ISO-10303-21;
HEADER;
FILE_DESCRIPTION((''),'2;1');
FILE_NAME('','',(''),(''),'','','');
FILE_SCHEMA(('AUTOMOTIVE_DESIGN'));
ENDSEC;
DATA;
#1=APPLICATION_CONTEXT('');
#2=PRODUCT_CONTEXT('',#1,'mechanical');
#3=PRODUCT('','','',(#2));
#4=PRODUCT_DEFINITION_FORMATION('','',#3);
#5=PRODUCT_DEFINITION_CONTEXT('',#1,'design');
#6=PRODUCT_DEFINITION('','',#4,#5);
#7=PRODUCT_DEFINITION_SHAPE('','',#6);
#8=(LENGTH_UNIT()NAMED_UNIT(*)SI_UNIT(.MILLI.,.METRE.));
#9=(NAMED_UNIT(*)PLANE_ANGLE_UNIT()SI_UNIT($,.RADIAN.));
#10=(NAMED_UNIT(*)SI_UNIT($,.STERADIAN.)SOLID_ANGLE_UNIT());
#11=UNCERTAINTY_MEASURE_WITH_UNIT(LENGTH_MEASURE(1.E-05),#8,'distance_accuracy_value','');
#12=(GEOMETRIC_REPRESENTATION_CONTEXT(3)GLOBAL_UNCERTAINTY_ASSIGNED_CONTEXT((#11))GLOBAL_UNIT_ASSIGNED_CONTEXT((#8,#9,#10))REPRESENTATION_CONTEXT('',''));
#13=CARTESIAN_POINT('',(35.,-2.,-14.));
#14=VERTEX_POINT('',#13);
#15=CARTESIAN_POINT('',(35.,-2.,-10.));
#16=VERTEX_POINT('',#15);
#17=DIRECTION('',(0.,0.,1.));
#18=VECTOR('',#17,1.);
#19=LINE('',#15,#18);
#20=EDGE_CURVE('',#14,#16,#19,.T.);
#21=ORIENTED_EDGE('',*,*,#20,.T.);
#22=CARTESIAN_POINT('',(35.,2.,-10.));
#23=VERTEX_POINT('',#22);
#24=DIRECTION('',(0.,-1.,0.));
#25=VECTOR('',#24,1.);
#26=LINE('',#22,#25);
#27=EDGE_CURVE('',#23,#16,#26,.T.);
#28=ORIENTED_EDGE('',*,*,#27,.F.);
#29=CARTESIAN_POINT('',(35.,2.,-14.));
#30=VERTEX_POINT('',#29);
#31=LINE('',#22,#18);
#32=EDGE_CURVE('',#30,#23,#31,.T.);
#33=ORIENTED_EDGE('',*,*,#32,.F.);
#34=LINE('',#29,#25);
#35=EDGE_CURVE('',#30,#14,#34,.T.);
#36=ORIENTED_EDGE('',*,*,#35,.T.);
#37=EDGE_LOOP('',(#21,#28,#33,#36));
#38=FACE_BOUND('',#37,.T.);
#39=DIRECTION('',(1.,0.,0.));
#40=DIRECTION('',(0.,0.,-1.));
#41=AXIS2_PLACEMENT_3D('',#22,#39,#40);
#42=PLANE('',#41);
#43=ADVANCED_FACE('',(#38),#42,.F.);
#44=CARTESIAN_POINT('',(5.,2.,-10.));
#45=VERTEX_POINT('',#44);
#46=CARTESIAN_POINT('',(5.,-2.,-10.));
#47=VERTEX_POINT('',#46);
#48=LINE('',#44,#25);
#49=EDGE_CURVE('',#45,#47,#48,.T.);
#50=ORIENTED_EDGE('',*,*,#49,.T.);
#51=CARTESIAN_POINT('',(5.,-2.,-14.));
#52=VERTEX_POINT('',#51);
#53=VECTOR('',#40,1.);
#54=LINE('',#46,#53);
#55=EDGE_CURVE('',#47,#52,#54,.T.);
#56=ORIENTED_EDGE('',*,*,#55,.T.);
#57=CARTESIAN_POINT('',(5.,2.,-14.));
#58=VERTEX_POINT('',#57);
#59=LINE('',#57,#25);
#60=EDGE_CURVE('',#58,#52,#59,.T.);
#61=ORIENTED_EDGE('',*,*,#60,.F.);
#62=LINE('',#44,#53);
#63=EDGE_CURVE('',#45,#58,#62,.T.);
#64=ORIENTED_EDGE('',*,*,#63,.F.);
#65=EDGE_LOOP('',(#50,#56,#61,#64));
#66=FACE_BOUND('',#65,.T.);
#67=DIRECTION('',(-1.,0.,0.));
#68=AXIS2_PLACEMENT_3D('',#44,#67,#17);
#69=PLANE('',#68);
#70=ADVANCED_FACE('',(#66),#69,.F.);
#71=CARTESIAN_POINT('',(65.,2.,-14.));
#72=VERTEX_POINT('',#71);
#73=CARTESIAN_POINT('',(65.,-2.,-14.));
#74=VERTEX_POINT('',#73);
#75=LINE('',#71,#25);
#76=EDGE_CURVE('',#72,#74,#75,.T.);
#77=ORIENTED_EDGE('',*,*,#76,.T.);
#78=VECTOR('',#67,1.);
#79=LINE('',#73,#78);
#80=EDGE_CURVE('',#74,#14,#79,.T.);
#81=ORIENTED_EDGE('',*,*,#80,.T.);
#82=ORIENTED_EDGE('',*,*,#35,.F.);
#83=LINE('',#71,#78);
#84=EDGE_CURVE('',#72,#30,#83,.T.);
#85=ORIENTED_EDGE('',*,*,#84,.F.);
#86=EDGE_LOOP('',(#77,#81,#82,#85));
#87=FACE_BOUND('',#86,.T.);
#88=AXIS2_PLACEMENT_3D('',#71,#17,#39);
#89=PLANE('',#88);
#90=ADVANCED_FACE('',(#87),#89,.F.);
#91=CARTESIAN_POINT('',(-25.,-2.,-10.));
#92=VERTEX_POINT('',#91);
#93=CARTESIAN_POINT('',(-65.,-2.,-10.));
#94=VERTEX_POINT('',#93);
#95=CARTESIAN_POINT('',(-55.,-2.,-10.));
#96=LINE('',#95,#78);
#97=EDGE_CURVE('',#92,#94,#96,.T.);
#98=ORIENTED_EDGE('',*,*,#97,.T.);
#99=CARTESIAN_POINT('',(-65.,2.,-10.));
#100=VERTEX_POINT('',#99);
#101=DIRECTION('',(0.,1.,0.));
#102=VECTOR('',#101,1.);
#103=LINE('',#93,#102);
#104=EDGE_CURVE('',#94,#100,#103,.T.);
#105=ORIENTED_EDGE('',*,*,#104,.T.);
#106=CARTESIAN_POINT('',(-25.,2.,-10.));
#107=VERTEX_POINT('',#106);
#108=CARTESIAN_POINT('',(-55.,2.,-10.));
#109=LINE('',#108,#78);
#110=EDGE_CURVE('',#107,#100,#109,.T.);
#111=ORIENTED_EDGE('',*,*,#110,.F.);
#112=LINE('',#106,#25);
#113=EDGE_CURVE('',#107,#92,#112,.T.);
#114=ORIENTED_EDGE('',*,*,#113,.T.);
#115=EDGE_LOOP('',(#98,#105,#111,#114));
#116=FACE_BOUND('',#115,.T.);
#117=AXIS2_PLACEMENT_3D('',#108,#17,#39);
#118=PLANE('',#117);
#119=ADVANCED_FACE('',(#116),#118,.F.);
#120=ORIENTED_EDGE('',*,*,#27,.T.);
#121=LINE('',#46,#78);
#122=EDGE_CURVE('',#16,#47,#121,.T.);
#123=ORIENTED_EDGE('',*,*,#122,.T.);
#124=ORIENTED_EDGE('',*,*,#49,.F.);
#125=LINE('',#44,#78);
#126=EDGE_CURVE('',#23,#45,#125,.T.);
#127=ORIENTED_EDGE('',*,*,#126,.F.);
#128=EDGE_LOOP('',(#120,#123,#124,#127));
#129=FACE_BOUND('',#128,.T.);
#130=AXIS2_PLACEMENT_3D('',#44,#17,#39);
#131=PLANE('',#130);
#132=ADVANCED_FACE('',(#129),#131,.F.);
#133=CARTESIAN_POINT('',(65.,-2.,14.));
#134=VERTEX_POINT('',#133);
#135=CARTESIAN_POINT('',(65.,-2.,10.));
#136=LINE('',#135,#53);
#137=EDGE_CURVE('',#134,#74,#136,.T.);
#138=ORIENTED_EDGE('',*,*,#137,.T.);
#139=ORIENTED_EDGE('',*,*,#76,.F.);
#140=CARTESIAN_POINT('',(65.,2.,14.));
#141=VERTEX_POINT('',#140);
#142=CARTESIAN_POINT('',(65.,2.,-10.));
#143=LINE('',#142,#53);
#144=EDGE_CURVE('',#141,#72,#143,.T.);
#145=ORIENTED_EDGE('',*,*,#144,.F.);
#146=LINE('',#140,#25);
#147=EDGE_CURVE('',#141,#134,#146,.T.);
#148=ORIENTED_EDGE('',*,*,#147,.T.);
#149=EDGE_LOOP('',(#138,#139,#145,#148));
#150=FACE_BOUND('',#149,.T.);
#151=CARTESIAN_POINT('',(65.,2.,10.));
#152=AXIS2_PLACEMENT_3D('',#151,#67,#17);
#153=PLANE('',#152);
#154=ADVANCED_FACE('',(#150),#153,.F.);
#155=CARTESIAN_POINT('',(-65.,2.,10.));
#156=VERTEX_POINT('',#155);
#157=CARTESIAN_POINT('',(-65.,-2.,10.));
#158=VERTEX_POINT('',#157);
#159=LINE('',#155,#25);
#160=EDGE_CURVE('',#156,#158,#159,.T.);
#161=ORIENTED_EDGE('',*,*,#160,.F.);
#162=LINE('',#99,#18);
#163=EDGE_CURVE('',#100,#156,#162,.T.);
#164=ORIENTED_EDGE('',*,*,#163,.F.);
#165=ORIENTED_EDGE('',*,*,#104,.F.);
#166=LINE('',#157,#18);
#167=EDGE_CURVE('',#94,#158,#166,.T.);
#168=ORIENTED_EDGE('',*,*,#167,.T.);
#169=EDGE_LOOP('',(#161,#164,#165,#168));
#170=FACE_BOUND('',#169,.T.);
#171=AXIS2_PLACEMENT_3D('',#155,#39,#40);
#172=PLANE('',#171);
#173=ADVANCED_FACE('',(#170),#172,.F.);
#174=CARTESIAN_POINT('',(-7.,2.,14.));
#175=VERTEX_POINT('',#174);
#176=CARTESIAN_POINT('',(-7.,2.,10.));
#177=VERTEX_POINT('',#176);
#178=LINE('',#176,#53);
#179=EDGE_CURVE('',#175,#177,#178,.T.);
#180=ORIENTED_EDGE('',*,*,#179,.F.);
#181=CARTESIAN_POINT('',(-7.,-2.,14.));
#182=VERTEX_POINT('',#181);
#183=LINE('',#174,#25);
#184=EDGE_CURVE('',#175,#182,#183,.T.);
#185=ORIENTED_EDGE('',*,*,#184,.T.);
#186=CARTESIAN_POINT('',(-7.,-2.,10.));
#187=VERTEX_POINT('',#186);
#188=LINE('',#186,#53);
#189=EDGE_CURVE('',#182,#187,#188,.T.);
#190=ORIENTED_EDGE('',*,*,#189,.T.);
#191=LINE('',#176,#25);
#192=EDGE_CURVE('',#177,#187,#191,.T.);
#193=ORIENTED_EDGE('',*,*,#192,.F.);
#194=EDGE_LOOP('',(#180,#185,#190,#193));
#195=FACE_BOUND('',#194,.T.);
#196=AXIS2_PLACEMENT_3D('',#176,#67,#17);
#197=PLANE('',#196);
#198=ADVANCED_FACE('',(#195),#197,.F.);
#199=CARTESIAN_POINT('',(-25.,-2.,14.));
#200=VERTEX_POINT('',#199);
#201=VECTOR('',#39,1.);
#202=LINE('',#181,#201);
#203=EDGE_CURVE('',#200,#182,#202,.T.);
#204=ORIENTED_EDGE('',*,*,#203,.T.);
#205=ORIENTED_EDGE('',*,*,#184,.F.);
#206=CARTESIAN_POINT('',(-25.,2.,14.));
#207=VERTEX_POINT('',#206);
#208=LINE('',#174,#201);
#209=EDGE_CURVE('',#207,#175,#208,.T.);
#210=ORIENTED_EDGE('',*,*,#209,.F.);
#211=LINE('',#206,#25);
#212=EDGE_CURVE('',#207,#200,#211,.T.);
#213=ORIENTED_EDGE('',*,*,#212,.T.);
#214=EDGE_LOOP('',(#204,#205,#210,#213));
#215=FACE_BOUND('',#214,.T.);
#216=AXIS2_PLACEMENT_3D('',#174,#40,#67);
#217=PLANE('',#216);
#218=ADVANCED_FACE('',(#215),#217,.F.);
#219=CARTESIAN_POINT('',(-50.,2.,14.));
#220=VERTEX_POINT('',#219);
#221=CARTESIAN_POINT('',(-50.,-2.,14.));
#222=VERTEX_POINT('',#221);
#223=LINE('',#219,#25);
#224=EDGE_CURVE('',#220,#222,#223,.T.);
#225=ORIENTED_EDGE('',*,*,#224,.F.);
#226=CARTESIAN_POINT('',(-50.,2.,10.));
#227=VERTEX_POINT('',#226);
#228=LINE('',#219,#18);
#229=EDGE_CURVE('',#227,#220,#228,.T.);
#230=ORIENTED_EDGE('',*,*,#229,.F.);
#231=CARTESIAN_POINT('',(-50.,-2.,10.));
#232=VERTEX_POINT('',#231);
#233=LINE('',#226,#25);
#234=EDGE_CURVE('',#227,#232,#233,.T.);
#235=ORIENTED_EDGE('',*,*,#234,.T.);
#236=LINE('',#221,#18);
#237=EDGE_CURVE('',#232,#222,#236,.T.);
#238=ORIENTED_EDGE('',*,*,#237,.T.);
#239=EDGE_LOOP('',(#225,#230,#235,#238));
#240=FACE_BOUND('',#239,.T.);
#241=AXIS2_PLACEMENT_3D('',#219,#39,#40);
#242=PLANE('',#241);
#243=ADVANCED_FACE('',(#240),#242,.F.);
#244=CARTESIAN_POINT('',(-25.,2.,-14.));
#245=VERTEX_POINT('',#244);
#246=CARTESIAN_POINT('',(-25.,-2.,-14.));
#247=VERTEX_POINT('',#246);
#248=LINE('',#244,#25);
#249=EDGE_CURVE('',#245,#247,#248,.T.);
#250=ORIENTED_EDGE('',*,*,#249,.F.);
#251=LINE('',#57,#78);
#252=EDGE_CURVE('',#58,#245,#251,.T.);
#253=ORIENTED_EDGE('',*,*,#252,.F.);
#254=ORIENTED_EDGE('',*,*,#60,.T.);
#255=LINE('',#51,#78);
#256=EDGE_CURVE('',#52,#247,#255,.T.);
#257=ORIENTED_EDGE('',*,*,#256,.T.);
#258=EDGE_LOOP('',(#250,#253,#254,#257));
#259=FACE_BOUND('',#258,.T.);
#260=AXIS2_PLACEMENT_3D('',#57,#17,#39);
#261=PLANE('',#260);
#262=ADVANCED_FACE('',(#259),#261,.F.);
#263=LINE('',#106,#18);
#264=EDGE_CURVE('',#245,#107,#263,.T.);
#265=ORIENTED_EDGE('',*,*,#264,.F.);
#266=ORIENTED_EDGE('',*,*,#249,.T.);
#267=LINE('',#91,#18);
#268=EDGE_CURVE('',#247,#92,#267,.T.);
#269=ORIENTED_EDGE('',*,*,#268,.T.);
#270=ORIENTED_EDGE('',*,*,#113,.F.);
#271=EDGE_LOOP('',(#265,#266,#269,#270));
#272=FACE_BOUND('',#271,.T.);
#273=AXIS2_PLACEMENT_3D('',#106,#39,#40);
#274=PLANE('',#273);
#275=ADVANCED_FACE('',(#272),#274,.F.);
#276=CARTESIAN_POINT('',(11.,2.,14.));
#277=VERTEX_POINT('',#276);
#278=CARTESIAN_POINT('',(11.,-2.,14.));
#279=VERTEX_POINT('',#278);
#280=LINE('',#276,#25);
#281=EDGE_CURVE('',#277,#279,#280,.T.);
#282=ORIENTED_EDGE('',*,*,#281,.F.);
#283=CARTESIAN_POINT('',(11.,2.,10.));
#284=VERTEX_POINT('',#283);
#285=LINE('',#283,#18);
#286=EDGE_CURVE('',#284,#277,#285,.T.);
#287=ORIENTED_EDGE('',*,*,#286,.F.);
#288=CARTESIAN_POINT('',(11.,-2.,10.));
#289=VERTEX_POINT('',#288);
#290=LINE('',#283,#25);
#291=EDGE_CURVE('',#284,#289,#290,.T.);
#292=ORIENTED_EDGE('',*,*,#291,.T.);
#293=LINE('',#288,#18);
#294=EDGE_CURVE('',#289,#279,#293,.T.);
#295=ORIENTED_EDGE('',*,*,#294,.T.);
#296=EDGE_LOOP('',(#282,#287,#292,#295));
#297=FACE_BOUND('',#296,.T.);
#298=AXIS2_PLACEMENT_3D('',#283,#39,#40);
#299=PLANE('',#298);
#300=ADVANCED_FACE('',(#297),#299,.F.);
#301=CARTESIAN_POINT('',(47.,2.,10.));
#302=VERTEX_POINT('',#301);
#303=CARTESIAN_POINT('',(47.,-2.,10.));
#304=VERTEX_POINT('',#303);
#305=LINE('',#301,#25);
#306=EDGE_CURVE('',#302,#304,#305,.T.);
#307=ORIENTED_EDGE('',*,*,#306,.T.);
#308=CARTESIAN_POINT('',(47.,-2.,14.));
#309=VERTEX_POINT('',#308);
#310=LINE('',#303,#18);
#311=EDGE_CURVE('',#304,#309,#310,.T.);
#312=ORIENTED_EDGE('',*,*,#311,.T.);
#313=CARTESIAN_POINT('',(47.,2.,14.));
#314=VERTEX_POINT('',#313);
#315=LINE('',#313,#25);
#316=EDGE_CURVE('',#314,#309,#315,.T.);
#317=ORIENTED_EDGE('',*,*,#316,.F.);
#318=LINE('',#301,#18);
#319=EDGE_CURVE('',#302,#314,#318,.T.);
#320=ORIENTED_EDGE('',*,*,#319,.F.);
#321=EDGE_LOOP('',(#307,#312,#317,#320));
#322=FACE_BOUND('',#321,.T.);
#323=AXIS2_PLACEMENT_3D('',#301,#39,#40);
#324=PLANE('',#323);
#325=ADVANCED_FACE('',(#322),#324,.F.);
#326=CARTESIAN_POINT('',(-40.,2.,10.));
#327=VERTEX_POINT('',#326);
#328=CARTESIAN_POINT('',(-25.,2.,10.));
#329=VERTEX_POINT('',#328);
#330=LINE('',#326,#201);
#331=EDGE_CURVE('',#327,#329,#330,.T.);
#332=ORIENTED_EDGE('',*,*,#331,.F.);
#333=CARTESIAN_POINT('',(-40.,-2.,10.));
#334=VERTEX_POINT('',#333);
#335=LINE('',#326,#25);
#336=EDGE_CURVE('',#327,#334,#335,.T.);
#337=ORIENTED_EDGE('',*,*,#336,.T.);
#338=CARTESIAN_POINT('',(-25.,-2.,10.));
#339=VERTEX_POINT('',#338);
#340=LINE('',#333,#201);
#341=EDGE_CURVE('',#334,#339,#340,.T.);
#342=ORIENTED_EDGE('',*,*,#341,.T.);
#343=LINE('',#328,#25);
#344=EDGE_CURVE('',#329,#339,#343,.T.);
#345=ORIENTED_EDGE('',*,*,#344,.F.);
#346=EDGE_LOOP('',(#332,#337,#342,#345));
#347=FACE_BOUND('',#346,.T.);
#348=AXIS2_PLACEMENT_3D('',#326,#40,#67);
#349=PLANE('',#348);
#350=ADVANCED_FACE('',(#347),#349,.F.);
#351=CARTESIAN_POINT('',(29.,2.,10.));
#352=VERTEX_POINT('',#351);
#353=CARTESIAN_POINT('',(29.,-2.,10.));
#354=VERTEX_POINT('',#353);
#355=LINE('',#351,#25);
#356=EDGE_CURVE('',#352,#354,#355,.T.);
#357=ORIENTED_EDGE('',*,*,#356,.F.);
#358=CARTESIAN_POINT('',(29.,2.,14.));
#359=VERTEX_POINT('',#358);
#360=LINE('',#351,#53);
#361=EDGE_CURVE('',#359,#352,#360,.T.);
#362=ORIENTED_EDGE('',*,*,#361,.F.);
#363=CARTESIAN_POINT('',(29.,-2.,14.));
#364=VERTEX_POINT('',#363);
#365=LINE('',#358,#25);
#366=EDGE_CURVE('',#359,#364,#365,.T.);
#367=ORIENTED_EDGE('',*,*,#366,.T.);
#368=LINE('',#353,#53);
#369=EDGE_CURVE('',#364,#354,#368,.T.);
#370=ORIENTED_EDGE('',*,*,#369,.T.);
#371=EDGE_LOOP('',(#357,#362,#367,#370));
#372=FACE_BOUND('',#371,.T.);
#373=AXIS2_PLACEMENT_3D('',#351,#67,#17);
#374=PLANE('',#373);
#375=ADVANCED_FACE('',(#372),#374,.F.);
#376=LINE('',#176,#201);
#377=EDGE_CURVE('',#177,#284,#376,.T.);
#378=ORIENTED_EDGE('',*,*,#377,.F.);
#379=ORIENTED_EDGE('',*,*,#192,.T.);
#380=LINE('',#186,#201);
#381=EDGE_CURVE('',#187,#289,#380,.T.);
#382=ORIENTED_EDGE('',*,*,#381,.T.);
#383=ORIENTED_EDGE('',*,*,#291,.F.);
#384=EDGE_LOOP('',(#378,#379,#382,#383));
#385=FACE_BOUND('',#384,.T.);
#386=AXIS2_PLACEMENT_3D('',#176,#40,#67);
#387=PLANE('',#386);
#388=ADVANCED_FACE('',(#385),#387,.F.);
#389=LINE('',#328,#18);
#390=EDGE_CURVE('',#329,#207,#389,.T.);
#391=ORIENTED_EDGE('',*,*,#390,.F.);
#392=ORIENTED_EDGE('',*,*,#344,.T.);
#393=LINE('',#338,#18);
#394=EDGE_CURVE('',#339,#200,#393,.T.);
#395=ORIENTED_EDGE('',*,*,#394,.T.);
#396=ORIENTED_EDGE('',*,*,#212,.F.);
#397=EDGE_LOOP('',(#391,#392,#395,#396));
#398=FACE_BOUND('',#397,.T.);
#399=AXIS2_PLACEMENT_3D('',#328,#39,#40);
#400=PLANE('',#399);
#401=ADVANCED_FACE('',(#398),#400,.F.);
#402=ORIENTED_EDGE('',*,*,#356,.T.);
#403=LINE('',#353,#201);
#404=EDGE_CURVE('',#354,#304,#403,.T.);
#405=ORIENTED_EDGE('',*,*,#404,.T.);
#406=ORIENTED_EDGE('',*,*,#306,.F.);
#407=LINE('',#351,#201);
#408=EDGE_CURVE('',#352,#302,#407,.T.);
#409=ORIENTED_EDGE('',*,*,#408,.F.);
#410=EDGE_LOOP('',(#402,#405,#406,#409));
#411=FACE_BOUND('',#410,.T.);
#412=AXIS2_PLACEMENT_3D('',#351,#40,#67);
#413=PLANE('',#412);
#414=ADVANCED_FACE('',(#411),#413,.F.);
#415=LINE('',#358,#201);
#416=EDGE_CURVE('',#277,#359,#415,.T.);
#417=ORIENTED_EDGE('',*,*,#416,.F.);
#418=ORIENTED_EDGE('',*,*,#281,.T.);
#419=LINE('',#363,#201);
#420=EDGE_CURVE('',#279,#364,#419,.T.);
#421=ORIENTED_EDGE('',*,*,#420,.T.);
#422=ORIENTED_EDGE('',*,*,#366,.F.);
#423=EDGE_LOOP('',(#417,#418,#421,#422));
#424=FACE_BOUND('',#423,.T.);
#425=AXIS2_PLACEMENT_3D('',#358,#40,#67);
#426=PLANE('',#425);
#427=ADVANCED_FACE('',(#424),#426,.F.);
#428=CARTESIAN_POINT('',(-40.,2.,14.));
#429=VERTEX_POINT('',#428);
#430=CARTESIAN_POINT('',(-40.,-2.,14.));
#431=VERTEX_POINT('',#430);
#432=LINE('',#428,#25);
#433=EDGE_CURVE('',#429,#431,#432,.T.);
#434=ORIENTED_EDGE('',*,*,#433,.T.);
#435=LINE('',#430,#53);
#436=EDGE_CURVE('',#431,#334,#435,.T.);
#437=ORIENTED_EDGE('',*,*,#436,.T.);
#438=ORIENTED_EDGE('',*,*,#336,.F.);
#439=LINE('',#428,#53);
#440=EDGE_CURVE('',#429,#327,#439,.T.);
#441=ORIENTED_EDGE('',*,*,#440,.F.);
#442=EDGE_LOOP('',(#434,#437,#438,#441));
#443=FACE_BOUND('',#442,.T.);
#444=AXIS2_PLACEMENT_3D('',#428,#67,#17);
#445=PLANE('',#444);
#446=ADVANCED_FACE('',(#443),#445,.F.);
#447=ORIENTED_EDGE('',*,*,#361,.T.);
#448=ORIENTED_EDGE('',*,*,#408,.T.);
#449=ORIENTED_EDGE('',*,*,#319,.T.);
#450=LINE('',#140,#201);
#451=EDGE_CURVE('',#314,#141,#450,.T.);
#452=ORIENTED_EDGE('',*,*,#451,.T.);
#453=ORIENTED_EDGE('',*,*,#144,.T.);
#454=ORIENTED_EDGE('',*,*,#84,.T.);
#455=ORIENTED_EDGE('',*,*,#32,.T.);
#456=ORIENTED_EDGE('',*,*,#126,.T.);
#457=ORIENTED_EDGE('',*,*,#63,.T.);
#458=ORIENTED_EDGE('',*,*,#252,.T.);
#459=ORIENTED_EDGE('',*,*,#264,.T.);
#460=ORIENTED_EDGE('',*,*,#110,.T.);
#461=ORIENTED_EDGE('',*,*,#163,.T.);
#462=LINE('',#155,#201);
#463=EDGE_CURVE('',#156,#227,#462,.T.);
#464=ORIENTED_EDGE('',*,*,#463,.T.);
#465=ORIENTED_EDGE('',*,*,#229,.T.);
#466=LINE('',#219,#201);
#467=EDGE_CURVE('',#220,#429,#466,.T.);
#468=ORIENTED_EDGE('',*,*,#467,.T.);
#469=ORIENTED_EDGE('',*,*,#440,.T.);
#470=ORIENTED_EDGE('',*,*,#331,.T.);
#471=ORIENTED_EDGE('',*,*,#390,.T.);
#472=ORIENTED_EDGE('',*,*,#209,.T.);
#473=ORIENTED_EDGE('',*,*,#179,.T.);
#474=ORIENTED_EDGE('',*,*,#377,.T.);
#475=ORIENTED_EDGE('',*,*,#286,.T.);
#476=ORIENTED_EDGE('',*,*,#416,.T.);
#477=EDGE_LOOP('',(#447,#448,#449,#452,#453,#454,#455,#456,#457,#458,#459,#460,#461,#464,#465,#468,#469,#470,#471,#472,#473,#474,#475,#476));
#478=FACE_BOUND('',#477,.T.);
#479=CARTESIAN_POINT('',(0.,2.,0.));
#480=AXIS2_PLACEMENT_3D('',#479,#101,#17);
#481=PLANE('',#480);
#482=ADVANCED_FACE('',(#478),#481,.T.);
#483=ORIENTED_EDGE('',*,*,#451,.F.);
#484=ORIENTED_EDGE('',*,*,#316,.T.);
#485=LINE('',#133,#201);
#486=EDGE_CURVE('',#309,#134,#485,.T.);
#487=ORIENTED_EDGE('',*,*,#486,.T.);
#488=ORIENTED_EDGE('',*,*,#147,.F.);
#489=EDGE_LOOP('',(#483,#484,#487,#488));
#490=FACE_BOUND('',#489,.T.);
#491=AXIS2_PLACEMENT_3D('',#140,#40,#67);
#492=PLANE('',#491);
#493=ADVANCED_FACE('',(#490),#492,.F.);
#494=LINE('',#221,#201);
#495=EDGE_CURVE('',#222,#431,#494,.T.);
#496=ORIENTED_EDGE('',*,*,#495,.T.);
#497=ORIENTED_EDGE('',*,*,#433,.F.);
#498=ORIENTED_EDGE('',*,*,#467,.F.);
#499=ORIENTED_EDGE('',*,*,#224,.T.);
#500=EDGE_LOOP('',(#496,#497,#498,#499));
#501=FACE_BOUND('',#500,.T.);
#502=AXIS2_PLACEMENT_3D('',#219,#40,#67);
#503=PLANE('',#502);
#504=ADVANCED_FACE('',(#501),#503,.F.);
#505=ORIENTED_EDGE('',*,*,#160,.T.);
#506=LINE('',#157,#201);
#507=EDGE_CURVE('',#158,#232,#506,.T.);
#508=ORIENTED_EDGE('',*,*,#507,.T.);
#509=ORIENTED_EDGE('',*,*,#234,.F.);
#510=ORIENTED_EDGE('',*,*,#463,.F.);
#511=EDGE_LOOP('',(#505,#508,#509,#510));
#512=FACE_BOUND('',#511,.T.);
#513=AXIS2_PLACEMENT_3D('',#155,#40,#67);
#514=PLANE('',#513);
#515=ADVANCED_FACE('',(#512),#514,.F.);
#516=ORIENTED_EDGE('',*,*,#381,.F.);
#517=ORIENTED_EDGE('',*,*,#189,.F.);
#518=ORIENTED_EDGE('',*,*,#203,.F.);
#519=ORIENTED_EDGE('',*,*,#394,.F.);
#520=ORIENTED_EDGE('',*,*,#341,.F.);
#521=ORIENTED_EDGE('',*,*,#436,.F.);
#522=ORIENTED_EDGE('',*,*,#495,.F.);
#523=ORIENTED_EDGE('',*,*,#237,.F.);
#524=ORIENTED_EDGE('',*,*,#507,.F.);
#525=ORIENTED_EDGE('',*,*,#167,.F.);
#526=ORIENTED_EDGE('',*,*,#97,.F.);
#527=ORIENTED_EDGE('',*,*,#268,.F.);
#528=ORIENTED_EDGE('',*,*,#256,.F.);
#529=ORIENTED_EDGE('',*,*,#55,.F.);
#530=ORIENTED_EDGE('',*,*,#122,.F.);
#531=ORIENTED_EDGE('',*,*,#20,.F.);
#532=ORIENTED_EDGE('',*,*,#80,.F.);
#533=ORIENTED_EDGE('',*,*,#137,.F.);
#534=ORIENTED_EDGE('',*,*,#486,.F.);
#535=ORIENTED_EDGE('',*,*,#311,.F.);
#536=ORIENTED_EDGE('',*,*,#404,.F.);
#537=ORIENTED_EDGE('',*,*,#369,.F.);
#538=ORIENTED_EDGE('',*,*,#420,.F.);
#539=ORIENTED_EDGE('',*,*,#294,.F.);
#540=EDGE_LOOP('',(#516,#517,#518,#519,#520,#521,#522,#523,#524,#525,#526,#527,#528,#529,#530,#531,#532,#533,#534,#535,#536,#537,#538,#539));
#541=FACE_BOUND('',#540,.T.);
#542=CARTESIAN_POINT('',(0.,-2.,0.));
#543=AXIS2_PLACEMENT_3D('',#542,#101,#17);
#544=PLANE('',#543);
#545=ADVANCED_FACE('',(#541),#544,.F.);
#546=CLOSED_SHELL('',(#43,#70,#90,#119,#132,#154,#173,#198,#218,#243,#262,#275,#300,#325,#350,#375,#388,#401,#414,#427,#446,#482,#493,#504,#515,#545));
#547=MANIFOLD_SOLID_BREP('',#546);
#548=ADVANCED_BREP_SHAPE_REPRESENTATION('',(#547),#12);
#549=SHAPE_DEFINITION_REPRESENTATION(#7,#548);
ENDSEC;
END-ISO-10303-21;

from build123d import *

# Parameters (mm, degrees)
BOSS_EXTRUDE1_DEPTH = 2
SKETCH3_W           = 10
SKETCH3_H           = 4
CUT_EXTRUDE2_DEPTH  = 67.610809934


with BuildPart() as part:
    # Sketch1 → Boss-Extrude1 (new, symmetric)
    with BuildSketch(Plane(origin=(0, 0, 0), x_dir=(1, 0, 0), z_dir=(0, 1, 0))):
        Polygon((-65, -10), (-50, -10), (-50, -14), (-40, -14), (-40, -10), (-25, -10), (-25, -14), (-7, -14), (-7, -10), (11, -10), (11, -14), (29, -14), (29, -10), (47, -10), (47, -14), (65, -14), (65, -10), (65, 10), (65, 14), (35, 14), (35, 10), (5, 10), (5, 14), (-25, 14), (-25, 10), (-55, 10), (-55, 14), (-65, 14), (-65, 10), align=None)
    extrude(amount=BOSS_EXTRUDE1_DEPTH, both=True)

    # Sketch3 → Cut-Extrude2 (cut, through all)
    with BuildSketch(Plane(origin=(0, 2, 0), x_dir=(1, 0, 0), z_dir=(0, 1, 0))):
        with Locations((-60, 12)):
            Rectangle(SKETCH3_W, SKETCH3_H)
    extrude(amount=-CUT_EXTRUDE2_DEPTH, mode=Mode.SUBTRACT)


solid = part.part
